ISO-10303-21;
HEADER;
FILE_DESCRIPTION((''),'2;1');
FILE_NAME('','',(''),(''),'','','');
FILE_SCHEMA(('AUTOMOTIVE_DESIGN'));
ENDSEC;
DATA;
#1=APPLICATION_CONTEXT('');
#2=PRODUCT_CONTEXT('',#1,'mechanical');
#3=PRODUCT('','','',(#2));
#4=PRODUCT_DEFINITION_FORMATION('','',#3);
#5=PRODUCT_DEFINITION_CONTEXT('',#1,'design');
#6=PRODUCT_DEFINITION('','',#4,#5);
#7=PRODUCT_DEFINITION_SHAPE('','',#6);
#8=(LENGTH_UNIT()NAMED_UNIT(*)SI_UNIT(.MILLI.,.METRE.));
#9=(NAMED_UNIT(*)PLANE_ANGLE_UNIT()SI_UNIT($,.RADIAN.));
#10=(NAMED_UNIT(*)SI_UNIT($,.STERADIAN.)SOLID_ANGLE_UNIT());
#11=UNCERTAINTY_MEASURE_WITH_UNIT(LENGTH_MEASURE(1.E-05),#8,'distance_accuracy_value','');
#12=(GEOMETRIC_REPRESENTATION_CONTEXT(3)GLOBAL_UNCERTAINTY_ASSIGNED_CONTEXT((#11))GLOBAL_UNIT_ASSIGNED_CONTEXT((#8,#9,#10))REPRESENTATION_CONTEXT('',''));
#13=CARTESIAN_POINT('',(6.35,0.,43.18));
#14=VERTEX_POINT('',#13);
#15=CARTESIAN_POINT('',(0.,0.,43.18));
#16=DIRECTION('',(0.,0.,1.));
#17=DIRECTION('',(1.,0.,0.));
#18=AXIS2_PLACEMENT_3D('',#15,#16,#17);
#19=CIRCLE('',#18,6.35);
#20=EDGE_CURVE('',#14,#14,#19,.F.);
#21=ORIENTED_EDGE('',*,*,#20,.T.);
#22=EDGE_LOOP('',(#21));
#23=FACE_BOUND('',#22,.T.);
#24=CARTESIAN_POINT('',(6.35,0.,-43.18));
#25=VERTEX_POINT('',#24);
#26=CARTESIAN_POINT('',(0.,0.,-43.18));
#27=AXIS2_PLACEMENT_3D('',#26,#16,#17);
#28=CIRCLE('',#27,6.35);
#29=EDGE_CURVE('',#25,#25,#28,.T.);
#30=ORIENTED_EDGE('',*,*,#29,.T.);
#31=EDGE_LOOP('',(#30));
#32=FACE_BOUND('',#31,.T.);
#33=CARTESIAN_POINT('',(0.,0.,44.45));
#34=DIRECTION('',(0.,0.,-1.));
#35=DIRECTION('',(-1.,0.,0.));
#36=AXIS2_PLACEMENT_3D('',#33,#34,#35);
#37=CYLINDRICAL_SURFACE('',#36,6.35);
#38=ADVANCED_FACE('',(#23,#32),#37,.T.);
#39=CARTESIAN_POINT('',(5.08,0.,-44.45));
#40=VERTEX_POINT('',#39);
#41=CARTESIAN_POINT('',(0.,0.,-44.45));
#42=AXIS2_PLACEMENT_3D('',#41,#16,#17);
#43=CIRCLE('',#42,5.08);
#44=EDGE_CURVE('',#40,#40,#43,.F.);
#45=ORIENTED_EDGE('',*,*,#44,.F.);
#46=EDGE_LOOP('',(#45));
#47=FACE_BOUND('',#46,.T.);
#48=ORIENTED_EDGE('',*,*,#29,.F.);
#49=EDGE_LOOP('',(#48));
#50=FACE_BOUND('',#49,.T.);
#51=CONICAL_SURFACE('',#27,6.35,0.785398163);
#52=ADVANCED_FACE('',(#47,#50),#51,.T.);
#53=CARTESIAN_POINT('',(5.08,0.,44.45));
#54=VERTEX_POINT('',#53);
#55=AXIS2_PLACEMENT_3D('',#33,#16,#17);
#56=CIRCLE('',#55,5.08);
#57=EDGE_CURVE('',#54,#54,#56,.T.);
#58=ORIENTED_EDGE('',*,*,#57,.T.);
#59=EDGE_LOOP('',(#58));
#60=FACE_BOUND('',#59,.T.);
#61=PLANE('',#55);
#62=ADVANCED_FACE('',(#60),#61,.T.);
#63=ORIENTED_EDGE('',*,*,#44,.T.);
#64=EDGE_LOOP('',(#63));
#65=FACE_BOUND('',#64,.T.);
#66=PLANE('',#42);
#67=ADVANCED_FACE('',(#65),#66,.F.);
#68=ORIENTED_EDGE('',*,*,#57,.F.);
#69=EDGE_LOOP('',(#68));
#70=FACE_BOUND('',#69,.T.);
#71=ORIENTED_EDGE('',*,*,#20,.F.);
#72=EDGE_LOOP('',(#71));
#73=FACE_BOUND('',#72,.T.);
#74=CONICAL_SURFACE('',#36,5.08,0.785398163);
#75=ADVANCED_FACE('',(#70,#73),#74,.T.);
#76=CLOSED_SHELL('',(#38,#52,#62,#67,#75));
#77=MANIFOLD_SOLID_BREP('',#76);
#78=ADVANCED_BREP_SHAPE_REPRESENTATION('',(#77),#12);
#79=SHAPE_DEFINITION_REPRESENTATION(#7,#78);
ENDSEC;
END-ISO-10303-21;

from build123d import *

# Parameters (mm, degrees)
SKETCH3_R           = 6.35
BOSS_EXTRUDE1_DEPTH = 44.45
CHAMFER1_SIZE       = 1.27


with BuildPart() as part:
    # Sketch3 → Boss-Extrude1 (new, symmetric)
    with BuildSketch(Plane.XY):
        Circle(SKETCH3_R)
    extrude(amount=BOSS_EXTRUDE1_DEPTH, both=True)

    # Chamfer1
    chamfer1_edges = [part.edges().sort_by_distance(p)[0] for p in [
        (-6.35, 0, -44.45),
        (-6.35, 0, 44.45),
    ]]
    chamfer(chamfer1_edges, length=CHAMFER1_SIZE)


solid = part.part
